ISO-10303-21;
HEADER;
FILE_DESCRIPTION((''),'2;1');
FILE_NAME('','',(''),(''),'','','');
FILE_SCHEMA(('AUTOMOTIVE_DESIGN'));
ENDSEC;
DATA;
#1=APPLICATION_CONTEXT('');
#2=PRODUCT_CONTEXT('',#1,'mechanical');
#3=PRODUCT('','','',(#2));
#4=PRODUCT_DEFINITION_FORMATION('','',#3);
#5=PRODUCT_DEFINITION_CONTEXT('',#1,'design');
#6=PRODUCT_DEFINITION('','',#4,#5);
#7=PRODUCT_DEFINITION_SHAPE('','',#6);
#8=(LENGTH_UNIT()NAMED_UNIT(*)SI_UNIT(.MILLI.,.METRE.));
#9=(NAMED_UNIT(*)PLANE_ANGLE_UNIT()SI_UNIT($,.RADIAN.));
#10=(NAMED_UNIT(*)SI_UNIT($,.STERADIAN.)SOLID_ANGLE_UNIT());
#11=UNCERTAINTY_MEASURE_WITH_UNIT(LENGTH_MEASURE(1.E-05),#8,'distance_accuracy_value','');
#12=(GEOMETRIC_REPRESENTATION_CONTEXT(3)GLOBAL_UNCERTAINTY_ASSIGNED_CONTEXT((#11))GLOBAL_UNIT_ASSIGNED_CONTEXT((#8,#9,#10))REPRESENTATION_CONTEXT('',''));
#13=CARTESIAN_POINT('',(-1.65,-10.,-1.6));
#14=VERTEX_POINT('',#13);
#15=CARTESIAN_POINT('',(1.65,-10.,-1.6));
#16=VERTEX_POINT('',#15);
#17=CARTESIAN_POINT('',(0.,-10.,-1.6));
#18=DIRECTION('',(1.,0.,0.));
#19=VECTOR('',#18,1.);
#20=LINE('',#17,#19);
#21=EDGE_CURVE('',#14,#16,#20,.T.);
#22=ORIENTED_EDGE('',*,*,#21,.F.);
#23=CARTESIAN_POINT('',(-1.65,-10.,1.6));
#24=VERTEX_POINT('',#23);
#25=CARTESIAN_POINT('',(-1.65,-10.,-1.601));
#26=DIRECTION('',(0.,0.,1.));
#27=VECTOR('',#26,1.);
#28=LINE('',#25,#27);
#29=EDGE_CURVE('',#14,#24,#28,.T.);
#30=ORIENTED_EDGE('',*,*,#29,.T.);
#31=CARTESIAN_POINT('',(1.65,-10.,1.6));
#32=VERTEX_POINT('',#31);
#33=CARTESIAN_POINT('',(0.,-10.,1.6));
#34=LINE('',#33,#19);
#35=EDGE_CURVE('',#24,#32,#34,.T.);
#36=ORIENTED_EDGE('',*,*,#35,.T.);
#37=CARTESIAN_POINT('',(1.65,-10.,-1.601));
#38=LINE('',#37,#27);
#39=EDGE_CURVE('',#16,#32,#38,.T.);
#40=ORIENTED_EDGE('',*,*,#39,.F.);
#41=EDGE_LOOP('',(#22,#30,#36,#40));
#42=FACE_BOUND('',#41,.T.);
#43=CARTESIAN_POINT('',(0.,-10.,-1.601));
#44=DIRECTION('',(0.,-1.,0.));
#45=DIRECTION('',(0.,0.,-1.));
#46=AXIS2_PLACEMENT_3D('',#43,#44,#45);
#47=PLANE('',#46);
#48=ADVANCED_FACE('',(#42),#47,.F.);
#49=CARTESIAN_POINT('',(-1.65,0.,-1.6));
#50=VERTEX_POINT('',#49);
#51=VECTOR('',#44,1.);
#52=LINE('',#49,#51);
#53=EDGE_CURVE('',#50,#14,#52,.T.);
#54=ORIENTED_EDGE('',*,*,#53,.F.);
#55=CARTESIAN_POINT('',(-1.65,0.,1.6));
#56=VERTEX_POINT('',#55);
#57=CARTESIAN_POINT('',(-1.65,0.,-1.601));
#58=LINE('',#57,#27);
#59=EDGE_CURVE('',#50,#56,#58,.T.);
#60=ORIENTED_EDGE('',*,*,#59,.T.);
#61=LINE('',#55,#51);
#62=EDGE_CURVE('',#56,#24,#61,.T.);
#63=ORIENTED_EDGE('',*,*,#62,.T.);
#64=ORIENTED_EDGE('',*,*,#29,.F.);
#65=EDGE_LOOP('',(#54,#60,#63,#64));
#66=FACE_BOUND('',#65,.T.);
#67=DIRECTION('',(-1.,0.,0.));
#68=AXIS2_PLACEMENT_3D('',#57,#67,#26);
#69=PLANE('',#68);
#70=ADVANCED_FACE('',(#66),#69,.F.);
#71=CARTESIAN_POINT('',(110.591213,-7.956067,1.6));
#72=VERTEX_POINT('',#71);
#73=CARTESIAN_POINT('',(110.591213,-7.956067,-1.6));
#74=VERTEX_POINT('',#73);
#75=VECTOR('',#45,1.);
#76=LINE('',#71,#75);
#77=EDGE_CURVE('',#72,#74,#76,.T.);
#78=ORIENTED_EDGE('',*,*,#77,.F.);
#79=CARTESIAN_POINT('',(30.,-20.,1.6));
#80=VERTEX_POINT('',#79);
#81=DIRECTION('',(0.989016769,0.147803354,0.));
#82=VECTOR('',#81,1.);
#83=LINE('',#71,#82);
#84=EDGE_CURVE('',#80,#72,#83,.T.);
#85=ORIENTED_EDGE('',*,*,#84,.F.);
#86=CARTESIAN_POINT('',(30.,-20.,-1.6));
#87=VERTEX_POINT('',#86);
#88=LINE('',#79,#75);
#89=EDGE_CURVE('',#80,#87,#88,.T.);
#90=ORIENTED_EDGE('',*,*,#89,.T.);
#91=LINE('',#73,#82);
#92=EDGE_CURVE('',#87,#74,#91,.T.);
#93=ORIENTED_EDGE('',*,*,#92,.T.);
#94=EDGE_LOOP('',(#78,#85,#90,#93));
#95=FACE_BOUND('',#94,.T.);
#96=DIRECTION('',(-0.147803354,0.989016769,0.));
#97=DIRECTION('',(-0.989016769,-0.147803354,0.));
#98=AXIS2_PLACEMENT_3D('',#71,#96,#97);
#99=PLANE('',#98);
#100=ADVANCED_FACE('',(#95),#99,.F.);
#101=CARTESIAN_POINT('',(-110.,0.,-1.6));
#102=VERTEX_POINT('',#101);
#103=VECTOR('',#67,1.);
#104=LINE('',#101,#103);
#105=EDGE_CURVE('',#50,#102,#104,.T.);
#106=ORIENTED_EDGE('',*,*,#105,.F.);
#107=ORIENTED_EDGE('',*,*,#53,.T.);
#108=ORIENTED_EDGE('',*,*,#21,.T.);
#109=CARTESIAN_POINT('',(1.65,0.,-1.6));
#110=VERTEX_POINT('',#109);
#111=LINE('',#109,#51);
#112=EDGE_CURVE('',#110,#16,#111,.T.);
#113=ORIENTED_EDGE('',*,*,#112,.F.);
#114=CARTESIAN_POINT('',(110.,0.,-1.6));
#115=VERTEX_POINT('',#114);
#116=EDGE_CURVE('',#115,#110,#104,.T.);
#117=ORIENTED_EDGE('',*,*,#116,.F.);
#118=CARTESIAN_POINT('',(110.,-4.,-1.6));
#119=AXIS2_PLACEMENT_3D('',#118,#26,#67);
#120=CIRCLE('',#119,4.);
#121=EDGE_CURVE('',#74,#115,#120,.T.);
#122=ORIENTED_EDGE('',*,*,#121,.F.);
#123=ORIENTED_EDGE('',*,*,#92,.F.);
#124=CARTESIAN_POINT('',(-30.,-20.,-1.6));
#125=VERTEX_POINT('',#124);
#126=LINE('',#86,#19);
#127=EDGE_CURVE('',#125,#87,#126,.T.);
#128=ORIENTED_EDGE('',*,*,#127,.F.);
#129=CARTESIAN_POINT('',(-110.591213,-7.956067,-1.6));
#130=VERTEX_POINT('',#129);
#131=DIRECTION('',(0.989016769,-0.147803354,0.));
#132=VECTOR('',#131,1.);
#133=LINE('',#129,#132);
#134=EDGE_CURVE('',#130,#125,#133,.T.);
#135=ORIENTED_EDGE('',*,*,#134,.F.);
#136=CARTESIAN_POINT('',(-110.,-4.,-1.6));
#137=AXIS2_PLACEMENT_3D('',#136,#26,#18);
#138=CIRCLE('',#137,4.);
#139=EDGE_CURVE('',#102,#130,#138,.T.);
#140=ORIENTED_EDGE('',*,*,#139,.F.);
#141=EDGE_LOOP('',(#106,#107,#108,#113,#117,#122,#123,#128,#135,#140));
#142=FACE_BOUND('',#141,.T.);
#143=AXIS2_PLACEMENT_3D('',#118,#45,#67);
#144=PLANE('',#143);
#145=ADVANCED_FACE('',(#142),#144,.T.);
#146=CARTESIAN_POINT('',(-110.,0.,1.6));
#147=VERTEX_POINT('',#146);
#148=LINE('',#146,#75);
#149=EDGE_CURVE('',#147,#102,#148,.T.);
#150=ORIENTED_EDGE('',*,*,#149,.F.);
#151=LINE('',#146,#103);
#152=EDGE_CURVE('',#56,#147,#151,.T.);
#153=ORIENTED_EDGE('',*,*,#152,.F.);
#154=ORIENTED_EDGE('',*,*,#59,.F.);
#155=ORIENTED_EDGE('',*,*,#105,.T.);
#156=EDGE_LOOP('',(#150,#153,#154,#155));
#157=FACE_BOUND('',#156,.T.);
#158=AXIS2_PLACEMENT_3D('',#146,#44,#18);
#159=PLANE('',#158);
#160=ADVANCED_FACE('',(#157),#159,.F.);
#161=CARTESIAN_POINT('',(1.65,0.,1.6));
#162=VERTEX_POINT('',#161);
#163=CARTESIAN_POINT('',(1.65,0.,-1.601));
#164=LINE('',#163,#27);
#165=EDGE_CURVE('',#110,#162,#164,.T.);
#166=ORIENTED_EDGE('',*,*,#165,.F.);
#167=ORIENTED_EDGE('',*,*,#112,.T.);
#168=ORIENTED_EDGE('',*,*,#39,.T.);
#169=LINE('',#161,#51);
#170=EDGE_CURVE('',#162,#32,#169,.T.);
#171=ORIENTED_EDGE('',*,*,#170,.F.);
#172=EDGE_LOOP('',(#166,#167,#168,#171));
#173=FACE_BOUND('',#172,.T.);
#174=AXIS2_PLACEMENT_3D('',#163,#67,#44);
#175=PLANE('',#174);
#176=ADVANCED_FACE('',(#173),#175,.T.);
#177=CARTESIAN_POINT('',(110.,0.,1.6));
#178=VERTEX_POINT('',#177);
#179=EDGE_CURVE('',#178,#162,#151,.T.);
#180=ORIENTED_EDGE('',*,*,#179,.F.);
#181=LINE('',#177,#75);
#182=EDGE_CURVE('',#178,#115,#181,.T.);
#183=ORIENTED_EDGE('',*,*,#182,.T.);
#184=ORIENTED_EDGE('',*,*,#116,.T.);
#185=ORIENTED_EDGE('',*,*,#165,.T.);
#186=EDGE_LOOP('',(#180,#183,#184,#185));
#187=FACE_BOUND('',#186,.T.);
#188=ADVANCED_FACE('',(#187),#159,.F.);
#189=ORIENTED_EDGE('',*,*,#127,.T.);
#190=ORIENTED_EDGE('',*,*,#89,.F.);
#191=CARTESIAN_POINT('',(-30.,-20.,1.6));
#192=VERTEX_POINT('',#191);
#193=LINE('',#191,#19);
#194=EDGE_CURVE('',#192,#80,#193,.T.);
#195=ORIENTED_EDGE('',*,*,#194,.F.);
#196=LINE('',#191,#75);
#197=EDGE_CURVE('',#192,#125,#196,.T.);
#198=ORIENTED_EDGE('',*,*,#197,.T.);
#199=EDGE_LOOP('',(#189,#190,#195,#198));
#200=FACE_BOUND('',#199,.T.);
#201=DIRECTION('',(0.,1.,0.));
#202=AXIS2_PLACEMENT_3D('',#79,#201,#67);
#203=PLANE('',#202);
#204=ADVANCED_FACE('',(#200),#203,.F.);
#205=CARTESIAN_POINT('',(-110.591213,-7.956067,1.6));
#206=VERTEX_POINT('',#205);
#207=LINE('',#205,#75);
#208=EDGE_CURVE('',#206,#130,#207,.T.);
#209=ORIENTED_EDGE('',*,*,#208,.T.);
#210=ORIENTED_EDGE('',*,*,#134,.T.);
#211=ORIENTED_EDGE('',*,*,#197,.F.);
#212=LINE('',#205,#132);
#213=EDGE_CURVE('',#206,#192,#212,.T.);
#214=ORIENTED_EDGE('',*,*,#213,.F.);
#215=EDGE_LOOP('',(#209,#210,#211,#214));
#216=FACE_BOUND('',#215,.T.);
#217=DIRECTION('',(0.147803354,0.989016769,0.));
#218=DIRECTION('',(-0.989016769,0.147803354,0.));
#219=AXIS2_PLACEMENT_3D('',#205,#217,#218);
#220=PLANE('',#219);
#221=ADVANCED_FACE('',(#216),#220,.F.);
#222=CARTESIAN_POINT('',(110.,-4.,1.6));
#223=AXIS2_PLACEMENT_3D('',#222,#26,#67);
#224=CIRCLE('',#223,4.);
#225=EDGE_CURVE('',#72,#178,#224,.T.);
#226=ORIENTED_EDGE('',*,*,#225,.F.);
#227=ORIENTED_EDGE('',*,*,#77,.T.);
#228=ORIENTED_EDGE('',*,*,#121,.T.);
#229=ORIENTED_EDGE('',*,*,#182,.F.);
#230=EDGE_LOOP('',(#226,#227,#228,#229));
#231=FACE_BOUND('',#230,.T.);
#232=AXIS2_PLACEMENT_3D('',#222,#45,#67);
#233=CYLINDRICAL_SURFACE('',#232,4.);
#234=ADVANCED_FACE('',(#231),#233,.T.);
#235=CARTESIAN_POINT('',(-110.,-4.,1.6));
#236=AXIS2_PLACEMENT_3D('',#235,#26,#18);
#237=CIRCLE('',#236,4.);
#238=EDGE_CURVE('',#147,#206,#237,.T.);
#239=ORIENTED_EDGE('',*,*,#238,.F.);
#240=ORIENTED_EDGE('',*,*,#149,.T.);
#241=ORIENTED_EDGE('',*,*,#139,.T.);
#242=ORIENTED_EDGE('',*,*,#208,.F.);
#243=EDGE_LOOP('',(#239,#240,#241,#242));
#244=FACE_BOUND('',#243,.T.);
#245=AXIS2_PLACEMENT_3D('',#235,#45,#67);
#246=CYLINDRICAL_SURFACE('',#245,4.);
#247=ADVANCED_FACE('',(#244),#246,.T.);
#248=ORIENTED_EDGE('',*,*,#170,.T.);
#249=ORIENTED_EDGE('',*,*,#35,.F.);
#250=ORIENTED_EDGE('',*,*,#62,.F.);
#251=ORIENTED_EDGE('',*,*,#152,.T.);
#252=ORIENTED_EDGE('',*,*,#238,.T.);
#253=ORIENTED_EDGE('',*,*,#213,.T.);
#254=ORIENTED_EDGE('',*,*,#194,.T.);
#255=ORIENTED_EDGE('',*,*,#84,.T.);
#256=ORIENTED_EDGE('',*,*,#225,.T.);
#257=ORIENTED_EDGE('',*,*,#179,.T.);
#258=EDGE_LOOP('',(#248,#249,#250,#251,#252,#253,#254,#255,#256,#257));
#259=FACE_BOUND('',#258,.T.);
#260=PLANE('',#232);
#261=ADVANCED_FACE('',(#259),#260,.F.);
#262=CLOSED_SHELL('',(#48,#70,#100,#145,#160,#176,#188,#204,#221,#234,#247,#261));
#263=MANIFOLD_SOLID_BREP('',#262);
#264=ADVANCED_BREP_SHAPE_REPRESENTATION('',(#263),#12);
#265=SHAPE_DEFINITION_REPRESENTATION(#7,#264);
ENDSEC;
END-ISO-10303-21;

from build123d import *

# Parameters (mm, degrees)
BOSS_EXTRUDE1_DEPTH = 1.6
CUT_EXTRUDE2_REACH  = 117.785
SKETCH2_4_W         = 3.3
SKETCH2_4_H         = 10


with BuildPart() as part:
    # Sketch1 → Boss-Extrude1 (new, symmetric)
    with BuildSketch(Plane.XY):
        with BuildLine():
            Line((-110, 0), (110, 0))
            ThreePointArc((110, 0), (113.989001648, -3.703578255), (110.591213415, -7.956067075))
            Line((110.591213415, -7.956067075), (30, -20))
            Line((30, -20), (0, -20))
            Line((0, -20), (-30, -20))
            Line((-30, -20), (-110.591213415, -7.956067075))
            ThreePointArc((-110.591213415, -7.956067075), (-113.989001648, -3.703578255), (-110, 0))
        make_face()
    extrude(amount=BOSS_EXTRUDE1_DEPTH, both=True)

    # Sketch2<4> → Cut-Extrude2 (cut, up to next)
    with BuildSketch(Plane.XY.offset(1.6), mode=Mode.PRIVATE) as cut_extrude2_sk1:
        with Locations((0, -5)):
            Rectangle(SKETCH2_4_W, SKETCH2_4_H)
    cut_extrude2_tool1 = extrude(cut_extrude2_sk1.sketch, amount=-CUT_EXTRUDE2_REACH, mode=Mode.PRIVATE) & part.part
    add(cut_extrude2_tool1.solids().sort_by_distance((0, -5, 1.6))[0], mode=Mode.SUBTRACT)


solid = part.part
